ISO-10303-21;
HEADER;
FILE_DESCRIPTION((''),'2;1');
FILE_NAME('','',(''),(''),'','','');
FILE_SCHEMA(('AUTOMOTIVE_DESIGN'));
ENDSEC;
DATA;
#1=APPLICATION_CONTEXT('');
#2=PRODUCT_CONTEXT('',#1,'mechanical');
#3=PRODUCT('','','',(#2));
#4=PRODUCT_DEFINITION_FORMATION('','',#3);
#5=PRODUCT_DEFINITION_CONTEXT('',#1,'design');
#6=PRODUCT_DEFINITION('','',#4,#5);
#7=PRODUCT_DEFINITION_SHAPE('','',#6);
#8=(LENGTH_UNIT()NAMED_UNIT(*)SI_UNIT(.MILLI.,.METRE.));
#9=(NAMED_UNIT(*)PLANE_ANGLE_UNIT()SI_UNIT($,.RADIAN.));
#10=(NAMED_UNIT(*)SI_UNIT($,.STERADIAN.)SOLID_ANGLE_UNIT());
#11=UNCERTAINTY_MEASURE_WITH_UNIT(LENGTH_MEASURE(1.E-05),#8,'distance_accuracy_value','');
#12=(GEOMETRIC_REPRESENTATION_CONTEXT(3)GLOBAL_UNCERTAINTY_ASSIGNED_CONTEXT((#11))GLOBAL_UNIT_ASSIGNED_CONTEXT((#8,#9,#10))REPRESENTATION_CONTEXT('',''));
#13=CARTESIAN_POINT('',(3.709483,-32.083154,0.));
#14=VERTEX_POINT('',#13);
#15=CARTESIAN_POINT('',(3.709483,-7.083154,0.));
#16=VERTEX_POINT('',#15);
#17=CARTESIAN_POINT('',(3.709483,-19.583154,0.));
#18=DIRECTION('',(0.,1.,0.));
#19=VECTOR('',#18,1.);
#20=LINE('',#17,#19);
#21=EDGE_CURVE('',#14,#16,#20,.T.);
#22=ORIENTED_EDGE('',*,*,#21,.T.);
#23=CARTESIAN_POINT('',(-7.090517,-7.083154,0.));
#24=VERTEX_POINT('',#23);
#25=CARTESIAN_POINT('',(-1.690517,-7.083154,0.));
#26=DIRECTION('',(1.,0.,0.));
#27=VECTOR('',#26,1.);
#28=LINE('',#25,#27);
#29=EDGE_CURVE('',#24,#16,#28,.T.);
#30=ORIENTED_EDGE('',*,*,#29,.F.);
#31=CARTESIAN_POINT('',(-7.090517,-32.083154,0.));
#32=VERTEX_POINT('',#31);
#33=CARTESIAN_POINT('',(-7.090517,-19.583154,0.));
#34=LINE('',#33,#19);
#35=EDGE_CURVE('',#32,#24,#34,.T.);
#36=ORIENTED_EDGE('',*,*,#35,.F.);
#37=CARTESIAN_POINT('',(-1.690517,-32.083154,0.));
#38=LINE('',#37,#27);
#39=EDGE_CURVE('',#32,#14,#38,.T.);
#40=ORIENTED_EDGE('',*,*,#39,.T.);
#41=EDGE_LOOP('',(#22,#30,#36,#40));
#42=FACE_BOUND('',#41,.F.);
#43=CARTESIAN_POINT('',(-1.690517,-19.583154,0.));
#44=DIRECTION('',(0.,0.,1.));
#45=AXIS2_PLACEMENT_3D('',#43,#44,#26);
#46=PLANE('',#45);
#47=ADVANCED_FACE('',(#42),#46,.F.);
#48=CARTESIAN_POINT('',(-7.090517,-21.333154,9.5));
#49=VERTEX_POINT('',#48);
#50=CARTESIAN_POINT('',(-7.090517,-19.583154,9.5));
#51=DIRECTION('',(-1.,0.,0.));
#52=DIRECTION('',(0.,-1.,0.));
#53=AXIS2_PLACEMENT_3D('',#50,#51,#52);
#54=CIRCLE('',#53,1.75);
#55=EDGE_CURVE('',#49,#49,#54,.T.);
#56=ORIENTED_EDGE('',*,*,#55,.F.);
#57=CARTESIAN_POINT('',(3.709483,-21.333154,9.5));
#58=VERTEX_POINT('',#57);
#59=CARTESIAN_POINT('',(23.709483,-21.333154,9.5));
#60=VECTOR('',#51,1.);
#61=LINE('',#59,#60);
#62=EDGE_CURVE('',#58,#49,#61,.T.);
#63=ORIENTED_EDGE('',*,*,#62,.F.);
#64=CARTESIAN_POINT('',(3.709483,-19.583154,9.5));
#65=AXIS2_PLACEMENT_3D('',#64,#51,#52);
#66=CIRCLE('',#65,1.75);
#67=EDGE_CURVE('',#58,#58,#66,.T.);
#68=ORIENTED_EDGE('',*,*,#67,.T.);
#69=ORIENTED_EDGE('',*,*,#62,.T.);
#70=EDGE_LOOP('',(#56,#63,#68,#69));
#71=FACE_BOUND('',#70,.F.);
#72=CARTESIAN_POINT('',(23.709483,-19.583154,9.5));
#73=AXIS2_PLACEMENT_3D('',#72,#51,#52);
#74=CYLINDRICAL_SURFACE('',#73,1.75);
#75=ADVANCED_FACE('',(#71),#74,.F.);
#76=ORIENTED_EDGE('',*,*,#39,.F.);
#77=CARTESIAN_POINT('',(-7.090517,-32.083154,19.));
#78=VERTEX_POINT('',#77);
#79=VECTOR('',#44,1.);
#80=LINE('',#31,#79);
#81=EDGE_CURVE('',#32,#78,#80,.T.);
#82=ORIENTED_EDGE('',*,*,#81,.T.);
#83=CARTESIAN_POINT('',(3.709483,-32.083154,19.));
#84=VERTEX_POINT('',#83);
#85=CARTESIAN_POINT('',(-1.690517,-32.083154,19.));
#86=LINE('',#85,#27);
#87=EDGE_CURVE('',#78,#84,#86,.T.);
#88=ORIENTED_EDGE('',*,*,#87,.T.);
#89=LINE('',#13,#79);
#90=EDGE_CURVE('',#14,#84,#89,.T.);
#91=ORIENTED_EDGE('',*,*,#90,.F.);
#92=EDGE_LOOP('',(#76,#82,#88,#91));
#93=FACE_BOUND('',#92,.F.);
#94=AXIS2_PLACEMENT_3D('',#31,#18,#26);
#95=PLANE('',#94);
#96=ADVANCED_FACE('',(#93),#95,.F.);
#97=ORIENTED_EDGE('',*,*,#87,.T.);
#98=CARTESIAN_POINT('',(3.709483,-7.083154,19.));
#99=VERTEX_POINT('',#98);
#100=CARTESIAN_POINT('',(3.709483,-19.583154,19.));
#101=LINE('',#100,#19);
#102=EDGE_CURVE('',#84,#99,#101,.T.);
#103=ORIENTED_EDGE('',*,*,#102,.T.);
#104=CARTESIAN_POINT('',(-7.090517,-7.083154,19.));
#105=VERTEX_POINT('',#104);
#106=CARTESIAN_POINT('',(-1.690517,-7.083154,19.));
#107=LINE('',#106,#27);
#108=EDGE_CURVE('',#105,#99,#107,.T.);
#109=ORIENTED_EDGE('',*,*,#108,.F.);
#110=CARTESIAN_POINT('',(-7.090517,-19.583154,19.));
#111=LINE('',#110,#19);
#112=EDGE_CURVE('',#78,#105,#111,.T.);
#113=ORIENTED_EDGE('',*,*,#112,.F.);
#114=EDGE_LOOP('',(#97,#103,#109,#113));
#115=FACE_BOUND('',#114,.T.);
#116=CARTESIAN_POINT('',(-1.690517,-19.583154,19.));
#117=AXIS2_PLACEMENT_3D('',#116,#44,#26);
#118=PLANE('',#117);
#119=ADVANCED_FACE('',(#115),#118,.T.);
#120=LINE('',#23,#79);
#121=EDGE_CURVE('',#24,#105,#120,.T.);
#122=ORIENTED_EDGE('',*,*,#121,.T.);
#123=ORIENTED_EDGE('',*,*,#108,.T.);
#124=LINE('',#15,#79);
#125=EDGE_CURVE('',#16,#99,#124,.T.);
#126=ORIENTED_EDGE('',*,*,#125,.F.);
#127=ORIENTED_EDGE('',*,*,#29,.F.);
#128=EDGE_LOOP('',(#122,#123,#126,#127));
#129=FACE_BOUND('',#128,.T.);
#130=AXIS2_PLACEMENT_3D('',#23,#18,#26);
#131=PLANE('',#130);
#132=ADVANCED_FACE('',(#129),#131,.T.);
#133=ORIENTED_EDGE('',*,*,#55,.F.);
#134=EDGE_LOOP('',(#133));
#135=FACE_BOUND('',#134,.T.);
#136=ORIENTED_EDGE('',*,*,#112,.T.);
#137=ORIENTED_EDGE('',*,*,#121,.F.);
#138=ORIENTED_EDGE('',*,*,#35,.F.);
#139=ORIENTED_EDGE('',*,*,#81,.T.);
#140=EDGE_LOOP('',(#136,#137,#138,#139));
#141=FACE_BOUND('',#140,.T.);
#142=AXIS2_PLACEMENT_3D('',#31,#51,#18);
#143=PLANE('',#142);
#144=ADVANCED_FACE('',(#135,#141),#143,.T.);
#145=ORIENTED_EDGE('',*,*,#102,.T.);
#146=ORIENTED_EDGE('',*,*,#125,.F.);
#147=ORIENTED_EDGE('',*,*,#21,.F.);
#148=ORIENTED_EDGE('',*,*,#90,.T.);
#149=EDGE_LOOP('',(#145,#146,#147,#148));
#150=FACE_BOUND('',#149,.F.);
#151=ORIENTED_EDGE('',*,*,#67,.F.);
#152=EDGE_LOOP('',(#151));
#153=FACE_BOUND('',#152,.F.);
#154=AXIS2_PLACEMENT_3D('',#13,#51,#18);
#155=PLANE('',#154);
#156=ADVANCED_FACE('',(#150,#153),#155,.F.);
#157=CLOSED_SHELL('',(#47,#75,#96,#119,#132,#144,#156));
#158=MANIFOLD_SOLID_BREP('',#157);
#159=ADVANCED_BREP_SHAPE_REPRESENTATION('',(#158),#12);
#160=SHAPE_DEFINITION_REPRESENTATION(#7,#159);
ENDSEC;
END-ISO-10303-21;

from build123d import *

# Parameters (mm, degrees)
F0_W     = 10.8
F0_H     = 25
F1_DEPTH = 19
F3_D     = 3.5
F3_DEPTH = 20


with BuildPart() as f1:
    # F0 (on Top) → F1 (new body)
    with BuildSketch(Plane.XY):
        with Locations((-1.690517, -19.583154)):
            Rectangle(F0_W, F0_H)
    extrude(amount=F1_DEPTH)

    # F3
    with Locations(Plane.YZ.offset(3.709483)):
        with Locations((-19.583154, 9.5)):
            Hole(F3_D / 2, depth=F3_DEPTH)


solid = f1.part
